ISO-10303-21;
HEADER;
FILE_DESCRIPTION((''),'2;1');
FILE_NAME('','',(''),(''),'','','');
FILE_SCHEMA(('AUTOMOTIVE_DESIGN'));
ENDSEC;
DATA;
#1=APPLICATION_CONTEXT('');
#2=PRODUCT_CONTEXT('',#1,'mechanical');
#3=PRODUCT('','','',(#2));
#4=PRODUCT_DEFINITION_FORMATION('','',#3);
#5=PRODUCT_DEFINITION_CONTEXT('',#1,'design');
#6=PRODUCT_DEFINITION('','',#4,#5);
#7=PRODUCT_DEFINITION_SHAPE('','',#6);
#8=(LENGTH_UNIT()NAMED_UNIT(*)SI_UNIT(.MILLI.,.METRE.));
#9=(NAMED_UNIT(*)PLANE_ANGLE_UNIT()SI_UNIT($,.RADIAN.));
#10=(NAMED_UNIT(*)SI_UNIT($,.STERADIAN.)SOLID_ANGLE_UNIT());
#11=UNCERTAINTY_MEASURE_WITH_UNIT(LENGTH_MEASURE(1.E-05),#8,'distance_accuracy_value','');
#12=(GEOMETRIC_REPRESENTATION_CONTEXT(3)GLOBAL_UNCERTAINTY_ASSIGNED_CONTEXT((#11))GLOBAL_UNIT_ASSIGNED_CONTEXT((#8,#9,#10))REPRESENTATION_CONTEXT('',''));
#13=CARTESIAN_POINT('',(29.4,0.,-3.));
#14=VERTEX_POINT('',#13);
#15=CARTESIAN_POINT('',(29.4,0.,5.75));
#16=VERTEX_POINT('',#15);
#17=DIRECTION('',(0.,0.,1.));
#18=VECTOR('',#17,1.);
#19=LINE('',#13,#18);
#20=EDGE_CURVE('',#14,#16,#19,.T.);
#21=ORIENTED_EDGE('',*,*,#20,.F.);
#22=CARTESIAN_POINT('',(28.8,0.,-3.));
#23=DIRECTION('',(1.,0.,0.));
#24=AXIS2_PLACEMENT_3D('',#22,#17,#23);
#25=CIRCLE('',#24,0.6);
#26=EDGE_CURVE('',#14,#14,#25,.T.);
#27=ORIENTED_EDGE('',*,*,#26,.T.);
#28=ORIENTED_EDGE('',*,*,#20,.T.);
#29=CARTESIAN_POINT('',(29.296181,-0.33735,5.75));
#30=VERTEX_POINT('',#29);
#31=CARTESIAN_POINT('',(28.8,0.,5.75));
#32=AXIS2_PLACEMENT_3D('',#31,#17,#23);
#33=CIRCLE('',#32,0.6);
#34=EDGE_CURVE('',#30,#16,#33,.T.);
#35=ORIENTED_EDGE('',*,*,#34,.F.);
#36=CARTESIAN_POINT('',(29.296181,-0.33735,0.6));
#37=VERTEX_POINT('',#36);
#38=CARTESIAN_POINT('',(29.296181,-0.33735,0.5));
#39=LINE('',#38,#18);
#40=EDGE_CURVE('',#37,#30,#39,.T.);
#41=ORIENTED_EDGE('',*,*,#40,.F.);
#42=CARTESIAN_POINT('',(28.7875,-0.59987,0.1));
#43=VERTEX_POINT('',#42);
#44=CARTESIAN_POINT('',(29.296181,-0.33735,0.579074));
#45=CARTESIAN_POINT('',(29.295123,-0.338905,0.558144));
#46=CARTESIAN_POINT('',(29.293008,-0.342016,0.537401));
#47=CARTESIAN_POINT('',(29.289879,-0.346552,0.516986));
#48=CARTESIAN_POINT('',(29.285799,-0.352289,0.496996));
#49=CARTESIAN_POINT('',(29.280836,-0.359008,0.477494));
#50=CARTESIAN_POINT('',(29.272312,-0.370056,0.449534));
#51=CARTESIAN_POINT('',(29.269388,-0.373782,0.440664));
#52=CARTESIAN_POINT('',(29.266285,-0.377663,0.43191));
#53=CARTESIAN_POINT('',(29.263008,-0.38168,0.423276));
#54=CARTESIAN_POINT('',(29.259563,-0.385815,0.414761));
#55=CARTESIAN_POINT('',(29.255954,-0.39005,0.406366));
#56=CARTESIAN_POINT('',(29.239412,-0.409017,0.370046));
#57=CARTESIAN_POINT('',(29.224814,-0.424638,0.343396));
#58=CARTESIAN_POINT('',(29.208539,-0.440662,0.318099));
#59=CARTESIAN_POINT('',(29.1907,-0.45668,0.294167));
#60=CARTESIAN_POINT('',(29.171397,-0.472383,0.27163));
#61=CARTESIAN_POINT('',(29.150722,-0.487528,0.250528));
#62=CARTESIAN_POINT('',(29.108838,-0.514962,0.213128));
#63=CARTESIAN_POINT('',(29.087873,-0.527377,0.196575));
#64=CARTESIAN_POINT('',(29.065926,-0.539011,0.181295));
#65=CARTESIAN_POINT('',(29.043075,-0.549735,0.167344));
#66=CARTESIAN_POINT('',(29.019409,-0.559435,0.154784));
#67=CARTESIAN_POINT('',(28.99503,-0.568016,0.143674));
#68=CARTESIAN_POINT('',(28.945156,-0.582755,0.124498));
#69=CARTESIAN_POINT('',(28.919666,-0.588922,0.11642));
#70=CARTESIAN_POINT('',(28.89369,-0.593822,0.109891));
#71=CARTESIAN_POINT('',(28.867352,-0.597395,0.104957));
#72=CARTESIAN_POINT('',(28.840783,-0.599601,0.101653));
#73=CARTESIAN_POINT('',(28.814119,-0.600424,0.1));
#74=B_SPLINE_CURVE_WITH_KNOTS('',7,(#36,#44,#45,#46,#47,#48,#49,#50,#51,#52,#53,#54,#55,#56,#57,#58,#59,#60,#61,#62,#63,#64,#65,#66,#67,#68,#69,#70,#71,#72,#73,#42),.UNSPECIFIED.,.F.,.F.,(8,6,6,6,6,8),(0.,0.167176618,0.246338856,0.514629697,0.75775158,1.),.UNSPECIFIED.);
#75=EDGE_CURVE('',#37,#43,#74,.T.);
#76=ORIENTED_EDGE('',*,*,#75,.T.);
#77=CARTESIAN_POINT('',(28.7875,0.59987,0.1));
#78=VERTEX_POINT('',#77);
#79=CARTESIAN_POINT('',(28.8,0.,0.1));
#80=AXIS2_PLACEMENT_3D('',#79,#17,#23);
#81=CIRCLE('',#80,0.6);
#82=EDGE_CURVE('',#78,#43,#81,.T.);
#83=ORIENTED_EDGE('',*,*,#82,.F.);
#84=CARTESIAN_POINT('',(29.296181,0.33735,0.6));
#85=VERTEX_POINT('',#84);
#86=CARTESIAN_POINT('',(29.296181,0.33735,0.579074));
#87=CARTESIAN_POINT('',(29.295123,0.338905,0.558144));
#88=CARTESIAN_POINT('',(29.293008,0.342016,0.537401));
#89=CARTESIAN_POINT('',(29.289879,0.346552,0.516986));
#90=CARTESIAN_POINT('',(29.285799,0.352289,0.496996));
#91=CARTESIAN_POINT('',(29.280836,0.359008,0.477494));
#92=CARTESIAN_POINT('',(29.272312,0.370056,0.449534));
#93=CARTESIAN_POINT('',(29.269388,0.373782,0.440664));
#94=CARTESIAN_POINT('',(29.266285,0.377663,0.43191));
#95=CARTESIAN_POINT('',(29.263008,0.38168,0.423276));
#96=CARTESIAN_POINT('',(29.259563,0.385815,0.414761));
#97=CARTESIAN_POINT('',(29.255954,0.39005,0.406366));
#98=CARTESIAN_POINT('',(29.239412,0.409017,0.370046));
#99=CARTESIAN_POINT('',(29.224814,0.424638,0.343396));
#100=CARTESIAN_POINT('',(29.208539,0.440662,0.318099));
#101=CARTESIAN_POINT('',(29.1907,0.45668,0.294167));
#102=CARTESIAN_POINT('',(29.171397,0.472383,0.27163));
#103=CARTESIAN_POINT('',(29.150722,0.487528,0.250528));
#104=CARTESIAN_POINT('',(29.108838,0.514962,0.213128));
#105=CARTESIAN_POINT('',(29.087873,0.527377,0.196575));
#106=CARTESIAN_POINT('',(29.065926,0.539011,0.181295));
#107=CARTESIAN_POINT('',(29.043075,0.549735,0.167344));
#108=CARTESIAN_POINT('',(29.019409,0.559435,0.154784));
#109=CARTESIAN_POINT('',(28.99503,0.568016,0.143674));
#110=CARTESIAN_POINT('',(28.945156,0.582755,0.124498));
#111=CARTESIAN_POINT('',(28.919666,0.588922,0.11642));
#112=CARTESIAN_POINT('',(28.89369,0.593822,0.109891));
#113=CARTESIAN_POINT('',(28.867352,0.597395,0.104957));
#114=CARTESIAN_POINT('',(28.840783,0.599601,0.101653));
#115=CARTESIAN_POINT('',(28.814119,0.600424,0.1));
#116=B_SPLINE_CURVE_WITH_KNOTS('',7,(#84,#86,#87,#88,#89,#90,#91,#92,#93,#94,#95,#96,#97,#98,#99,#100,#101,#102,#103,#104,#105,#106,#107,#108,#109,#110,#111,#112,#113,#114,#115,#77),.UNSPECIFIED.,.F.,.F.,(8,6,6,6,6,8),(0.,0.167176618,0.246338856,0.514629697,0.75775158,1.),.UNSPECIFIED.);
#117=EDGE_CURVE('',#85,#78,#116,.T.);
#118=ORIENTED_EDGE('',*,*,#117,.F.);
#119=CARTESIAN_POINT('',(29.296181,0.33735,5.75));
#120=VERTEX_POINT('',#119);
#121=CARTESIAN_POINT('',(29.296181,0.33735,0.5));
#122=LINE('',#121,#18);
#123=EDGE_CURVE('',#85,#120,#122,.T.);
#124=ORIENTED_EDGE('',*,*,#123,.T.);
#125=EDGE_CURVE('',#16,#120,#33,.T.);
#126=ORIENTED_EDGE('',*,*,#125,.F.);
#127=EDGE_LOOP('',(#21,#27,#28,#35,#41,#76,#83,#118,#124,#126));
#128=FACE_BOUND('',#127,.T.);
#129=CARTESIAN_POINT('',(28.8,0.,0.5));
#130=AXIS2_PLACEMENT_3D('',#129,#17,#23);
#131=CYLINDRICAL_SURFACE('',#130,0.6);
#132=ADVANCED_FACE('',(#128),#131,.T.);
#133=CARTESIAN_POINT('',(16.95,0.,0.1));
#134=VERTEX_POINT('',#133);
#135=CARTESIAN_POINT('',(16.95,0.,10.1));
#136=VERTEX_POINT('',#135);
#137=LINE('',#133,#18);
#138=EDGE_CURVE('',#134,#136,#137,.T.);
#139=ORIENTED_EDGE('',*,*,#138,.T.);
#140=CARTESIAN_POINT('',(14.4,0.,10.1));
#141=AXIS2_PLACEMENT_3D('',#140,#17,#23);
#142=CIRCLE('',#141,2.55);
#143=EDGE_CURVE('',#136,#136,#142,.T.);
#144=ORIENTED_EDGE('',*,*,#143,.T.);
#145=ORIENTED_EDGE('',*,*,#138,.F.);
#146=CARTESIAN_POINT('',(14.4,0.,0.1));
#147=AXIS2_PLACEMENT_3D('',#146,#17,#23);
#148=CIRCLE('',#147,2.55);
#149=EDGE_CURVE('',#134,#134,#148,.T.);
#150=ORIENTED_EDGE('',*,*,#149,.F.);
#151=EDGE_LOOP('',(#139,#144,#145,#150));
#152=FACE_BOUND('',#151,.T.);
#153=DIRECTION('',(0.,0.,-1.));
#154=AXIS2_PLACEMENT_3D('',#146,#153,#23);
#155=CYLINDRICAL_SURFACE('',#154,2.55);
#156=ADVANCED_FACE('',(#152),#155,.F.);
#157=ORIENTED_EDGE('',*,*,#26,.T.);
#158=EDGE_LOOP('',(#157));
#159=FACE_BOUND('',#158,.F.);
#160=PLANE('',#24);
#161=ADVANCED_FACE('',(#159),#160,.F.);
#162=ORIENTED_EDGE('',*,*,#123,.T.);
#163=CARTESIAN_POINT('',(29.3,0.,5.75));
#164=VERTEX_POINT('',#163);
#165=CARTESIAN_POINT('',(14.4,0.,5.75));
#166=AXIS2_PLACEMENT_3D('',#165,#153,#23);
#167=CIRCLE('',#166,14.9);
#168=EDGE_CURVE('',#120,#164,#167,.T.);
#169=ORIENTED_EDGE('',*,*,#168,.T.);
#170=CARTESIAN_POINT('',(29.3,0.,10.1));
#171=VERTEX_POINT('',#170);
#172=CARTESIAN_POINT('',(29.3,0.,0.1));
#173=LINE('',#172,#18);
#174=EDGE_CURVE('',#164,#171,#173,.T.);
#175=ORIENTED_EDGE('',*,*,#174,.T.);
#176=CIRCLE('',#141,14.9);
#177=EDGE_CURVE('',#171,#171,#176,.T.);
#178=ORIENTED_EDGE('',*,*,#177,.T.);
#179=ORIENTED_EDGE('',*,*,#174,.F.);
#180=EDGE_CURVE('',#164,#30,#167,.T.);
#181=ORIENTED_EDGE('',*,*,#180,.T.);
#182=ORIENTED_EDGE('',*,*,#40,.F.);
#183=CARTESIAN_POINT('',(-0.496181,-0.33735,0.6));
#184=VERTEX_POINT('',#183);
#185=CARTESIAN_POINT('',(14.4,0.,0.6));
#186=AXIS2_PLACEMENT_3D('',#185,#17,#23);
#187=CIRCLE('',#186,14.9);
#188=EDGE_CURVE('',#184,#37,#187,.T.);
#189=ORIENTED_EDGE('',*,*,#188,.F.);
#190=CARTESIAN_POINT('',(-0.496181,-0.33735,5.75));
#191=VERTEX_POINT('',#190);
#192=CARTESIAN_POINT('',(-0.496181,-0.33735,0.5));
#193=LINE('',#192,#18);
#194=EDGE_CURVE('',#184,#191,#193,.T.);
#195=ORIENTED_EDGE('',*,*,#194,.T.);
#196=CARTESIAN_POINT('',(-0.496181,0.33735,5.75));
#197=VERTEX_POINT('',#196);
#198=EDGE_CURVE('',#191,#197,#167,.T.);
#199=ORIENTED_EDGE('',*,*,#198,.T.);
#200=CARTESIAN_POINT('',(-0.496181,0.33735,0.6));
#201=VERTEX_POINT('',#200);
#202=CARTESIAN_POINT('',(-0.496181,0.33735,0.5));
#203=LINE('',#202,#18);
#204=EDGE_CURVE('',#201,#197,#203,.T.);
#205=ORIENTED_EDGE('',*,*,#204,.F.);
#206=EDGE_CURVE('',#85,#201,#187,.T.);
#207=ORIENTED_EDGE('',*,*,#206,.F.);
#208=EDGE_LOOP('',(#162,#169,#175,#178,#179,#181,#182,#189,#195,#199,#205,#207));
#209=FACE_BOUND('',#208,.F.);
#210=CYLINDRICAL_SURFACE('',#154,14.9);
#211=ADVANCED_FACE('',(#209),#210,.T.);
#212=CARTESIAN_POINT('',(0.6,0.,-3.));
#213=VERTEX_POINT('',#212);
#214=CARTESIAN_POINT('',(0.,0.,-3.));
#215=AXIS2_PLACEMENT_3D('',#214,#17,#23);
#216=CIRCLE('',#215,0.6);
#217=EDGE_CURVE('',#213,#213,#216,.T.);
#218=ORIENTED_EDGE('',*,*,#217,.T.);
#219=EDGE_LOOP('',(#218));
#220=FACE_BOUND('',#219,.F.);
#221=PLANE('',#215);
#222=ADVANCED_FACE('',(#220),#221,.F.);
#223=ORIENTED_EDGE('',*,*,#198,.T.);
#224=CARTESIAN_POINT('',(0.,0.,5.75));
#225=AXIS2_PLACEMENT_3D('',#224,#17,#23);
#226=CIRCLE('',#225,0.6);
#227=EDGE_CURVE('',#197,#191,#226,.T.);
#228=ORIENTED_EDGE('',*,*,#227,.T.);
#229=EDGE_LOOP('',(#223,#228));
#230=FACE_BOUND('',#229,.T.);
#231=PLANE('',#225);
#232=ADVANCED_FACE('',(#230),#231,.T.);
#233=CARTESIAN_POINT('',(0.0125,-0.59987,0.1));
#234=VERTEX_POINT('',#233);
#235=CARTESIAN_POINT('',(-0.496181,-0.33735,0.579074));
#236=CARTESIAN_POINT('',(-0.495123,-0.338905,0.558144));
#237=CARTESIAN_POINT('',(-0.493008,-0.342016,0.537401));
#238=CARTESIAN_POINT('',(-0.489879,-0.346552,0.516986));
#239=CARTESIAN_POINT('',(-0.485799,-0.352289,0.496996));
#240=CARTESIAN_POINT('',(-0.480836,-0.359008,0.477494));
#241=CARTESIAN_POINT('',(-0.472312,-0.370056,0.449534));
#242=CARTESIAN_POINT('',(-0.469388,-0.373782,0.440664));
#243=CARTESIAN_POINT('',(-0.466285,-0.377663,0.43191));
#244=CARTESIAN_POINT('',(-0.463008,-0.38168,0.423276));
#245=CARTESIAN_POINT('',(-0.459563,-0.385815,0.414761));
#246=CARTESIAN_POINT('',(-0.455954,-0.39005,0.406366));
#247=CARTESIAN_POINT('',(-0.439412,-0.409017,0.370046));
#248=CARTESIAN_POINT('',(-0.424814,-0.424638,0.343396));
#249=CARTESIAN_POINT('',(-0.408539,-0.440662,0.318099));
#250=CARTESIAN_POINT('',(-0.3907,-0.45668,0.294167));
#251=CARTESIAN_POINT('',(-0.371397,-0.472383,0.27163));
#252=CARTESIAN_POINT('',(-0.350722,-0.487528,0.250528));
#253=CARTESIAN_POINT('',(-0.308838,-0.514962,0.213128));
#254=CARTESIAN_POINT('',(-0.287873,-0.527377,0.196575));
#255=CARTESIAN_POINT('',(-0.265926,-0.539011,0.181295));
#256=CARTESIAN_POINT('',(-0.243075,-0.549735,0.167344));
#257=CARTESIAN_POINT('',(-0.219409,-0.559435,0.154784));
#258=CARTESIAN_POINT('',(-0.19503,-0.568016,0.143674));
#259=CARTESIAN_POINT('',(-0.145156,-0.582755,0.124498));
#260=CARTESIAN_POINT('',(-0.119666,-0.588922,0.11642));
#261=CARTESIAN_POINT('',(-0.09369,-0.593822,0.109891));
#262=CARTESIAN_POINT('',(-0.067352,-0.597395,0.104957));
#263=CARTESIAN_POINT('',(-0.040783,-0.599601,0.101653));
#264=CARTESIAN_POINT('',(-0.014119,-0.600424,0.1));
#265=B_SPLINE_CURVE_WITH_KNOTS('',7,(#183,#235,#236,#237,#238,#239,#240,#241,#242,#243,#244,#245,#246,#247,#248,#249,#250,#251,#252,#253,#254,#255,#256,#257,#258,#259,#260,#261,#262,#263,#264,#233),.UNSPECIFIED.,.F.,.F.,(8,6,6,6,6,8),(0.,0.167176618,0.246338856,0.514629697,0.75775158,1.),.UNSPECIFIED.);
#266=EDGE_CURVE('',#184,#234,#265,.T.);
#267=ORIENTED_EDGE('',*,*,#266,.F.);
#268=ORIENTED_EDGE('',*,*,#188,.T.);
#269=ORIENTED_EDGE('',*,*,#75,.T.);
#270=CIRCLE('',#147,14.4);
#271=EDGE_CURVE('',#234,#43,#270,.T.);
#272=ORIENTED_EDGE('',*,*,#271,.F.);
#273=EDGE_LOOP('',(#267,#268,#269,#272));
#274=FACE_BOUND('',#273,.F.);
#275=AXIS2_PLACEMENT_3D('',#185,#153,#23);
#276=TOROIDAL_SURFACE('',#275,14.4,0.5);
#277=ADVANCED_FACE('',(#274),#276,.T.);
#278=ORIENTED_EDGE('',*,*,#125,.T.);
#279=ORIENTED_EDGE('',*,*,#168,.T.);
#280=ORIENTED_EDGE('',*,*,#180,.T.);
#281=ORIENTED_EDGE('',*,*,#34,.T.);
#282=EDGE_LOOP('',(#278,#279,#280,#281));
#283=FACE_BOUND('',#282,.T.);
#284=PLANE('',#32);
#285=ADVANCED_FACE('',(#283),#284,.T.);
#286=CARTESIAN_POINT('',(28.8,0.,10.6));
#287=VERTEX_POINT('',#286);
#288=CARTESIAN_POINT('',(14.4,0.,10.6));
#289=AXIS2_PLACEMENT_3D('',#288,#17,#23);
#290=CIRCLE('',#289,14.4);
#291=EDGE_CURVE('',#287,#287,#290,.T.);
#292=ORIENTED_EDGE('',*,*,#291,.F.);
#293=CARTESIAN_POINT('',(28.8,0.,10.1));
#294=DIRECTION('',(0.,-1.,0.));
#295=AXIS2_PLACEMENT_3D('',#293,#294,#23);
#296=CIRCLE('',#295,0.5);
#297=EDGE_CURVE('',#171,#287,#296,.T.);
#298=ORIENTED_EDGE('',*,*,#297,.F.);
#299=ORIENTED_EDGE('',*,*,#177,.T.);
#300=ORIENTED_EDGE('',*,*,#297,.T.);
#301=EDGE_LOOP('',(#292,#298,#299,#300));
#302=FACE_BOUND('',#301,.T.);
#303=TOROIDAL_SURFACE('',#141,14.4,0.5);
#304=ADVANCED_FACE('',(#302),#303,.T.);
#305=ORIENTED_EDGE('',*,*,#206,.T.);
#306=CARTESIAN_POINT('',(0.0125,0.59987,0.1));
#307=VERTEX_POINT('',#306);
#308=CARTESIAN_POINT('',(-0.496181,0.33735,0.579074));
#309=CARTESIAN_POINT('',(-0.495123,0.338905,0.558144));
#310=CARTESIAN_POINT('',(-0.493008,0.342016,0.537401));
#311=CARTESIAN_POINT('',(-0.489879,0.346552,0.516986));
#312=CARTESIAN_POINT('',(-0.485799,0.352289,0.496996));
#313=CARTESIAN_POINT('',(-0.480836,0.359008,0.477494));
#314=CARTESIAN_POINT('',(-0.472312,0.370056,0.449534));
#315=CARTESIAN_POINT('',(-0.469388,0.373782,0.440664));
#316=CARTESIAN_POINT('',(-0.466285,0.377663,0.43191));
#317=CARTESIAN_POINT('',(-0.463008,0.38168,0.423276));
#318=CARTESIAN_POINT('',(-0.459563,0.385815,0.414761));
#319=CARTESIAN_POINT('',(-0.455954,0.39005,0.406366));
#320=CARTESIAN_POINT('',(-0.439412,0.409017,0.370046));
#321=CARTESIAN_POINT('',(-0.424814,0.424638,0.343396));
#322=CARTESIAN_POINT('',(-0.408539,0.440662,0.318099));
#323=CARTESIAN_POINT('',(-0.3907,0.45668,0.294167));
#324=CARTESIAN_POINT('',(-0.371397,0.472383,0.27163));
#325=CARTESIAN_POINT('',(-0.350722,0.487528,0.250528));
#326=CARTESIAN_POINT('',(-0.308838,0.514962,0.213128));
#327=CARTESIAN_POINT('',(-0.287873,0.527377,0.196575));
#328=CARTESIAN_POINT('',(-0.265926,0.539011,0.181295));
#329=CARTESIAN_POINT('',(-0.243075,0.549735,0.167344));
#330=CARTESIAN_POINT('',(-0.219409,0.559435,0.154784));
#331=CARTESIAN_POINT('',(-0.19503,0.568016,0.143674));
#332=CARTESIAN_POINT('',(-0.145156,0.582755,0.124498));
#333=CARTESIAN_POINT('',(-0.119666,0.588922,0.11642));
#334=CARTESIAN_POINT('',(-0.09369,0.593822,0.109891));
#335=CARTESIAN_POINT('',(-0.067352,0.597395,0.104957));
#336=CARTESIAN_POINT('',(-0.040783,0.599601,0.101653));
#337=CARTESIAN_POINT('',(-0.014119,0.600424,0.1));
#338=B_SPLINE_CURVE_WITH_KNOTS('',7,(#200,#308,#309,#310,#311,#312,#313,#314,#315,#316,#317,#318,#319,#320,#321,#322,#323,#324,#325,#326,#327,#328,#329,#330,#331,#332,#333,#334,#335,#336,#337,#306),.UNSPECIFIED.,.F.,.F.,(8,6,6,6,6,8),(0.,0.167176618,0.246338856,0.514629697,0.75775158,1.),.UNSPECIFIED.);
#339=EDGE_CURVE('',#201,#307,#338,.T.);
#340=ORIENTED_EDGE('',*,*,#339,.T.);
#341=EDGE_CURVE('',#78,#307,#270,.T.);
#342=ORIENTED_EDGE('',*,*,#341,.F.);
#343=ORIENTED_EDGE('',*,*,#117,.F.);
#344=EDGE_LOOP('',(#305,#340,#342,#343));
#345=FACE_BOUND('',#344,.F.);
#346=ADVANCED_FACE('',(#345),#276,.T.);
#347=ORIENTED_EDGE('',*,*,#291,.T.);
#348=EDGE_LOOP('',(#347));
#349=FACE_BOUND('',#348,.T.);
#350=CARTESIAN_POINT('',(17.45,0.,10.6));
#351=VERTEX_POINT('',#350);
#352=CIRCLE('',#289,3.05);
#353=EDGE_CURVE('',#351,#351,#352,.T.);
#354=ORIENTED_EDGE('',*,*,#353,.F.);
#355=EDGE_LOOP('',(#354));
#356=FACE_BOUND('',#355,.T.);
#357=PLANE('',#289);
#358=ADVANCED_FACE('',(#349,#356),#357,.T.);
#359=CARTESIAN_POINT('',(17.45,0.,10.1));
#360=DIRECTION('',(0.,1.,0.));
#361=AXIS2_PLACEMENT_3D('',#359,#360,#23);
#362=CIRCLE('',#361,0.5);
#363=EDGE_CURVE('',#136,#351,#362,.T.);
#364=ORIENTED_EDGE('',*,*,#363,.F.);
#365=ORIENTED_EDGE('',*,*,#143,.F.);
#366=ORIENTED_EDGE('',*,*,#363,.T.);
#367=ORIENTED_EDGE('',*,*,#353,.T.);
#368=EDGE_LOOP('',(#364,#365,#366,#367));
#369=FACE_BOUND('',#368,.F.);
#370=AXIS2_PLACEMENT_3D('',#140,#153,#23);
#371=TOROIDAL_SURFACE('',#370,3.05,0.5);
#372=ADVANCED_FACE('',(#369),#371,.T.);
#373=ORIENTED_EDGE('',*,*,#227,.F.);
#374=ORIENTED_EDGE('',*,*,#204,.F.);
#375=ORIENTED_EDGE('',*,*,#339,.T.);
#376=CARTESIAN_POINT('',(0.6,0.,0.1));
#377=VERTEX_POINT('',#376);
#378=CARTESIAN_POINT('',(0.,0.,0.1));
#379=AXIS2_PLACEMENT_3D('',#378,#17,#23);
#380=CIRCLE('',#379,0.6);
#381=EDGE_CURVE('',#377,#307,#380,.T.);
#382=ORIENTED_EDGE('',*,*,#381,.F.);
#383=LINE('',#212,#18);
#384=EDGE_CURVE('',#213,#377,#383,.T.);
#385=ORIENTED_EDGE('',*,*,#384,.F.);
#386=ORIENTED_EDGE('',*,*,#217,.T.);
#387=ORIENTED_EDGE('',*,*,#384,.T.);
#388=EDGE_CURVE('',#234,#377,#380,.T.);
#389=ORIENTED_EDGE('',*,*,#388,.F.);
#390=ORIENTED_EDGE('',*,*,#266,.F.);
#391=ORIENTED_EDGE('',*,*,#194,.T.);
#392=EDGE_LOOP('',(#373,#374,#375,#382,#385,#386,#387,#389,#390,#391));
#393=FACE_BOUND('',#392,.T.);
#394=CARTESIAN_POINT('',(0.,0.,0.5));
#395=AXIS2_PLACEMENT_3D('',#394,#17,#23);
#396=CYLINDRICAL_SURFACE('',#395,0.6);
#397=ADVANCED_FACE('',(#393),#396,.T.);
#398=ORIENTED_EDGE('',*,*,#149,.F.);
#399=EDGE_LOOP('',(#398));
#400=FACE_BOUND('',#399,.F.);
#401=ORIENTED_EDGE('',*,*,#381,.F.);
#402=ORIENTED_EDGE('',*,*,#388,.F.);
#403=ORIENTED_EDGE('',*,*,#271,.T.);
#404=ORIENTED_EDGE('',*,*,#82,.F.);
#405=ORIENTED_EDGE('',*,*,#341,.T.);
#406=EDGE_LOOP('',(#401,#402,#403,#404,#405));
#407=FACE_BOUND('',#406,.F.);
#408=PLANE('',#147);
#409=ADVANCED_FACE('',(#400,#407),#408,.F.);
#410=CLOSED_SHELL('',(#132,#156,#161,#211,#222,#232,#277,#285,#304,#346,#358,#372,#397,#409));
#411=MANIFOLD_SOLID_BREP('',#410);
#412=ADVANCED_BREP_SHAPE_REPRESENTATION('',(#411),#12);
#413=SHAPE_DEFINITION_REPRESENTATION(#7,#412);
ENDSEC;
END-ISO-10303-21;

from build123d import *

# Parameters (mm, degrees)
SKETCH_R          = 14.9
SKETCH_R_2        = 2.55
PAD_DEPTH         = 10.5
FILLET_R          = 0.5
SKETCH001_R       = 0.6
PAD001_DEPTH      = 5.25
PAD001_DEPTH_BACK = 3.5


with BuildPart() as fillet_body:
    # Sketch → Pad (new body)
    with BuildSketch(Plane.XY.offset(0.1)):
        with Locations((14.4, 0)):
            Circle(SKETCH_R)
        with Locations((14.4, 0)):
            Circle(SKETCH_R_2, mode=Mode.SUBTRACT)
    extrude(amount=PAD_DEPTH)

    # Fillet
    fillet_edges = [fillet_body.edges().sort_by_distance(p)[0] for p in [
        (11.85, 0, 10.6),
        (-0.5, 0, 10.6),
        (-0.5, 0, 0.1),
    ]]
    fillet(fillet_edges, radius=FILLET_R)


with BuildPart() as pad001_mp_cp:
    # Sketch001 → Pad001 (new body, two sides)
    with BuildSketch(Plane.XY.offset(0.5)) as pad001_sk:
        Circle(SKETCH001_R)
        with Locations((28.8, 0)):
            Circle(SKETCH001_R)
    extrude(amount=PAD001_DEPTH)
    extrude(pad001_sk.sketch, amount=-PAD001_DEPTH_BACK)

    # Pad001_mp_cp: union Fillet body
    add(fillet_body.part)


solid = pad001_mp_cp.part
